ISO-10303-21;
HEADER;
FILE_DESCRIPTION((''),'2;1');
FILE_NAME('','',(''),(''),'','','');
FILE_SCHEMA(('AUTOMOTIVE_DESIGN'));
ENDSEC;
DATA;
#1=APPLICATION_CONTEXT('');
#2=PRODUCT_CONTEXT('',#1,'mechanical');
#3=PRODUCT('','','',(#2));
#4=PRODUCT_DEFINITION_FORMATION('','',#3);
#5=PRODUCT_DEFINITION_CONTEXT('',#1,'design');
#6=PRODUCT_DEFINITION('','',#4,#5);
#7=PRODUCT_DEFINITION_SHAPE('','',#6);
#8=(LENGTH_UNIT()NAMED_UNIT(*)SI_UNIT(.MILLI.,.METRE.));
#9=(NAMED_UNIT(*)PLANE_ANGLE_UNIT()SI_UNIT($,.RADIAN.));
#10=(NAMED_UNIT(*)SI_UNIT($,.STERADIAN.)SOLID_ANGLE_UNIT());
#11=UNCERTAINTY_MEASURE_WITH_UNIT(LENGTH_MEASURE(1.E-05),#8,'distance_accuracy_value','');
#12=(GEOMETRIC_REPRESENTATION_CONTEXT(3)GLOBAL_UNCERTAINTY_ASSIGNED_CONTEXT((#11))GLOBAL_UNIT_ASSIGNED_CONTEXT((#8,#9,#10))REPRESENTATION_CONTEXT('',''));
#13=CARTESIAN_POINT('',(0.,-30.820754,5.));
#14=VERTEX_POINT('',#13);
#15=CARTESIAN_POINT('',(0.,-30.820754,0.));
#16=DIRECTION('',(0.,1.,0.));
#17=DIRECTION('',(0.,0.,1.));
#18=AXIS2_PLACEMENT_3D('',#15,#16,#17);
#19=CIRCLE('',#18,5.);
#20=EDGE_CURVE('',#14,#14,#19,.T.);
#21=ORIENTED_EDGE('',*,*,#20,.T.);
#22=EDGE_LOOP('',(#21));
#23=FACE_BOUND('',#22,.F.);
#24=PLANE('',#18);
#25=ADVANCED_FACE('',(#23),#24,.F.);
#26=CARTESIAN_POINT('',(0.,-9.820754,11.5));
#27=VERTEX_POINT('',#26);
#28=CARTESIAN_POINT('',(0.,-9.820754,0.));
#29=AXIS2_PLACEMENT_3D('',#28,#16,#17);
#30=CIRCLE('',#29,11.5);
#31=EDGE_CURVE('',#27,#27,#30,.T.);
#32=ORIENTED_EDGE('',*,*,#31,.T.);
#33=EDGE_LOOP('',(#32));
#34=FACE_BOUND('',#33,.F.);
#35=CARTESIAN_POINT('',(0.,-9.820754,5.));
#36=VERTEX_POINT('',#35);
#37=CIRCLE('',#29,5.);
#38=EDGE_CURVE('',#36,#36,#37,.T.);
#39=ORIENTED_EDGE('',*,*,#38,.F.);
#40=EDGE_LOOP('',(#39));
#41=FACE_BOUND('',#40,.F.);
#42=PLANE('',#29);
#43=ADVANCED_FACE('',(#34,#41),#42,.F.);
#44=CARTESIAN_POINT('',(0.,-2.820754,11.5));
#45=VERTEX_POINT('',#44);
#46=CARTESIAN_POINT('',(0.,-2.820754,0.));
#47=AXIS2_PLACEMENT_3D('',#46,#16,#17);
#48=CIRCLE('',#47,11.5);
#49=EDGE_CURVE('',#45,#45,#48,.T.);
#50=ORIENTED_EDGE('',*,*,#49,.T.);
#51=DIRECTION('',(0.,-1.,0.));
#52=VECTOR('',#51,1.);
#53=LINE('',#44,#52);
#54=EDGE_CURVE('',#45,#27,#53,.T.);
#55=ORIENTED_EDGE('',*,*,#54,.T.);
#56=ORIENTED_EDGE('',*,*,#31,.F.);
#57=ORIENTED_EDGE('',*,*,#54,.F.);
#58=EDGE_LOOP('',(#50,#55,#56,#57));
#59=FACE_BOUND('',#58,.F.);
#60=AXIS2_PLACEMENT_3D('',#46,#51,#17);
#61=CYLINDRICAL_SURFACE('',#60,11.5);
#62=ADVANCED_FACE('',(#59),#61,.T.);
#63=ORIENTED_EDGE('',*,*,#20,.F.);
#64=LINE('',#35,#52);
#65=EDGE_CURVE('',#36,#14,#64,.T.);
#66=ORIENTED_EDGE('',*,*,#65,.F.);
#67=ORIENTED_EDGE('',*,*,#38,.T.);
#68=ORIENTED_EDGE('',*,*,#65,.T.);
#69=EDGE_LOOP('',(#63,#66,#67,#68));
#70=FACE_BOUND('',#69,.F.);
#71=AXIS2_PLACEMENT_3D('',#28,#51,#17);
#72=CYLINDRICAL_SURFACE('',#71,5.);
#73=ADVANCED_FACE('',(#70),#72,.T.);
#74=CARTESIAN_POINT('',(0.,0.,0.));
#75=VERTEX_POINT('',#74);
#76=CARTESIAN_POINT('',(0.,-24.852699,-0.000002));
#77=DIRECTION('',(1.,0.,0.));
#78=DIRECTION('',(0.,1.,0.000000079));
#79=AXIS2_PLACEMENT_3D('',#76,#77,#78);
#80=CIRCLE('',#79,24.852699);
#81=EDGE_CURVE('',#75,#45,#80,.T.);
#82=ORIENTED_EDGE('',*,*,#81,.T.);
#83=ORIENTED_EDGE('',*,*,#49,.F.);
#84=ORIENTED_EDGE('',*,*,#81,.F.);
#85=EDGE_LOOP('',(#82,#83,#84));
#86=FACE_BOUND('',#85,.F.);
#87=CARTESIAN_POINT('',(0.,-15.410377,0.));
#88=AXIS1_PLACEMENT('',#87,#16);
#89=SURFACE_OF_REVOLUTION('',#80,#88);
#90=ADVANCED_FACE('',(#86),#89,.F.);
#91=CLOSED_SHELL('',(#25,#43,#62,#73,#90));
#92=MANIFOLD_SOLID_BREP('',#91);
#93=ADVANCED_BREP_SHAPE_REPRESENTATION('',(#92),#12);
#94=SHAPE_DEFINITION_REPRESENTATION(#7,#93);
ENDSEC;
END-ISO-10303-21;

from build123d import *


with BuildPart() as f1:
    # F0 (on Right) → F1 (revolve)
    with BuildSketch(Plane.YZ):
        with BuildLine():
            Line((-30.820754, 5), (-30.820754, 0))
            Line((-30.820754, 0), (0, 0))
            ThreePointArc((0, 0), (-0.715488, 5.920445), (-2.820754, 11.5))
            Line((-2.820754, 11.5), (-9.820754, 11.5))
            Line((-9.820754, 11.5), (-9.820754, 5))
            Line((-9.820754, 5), (-30.820754, 5))
        make_face()
    revolve(axis=Axis((0, -15.410377, 0), (0, 1, 0)))


solid = f1.part
